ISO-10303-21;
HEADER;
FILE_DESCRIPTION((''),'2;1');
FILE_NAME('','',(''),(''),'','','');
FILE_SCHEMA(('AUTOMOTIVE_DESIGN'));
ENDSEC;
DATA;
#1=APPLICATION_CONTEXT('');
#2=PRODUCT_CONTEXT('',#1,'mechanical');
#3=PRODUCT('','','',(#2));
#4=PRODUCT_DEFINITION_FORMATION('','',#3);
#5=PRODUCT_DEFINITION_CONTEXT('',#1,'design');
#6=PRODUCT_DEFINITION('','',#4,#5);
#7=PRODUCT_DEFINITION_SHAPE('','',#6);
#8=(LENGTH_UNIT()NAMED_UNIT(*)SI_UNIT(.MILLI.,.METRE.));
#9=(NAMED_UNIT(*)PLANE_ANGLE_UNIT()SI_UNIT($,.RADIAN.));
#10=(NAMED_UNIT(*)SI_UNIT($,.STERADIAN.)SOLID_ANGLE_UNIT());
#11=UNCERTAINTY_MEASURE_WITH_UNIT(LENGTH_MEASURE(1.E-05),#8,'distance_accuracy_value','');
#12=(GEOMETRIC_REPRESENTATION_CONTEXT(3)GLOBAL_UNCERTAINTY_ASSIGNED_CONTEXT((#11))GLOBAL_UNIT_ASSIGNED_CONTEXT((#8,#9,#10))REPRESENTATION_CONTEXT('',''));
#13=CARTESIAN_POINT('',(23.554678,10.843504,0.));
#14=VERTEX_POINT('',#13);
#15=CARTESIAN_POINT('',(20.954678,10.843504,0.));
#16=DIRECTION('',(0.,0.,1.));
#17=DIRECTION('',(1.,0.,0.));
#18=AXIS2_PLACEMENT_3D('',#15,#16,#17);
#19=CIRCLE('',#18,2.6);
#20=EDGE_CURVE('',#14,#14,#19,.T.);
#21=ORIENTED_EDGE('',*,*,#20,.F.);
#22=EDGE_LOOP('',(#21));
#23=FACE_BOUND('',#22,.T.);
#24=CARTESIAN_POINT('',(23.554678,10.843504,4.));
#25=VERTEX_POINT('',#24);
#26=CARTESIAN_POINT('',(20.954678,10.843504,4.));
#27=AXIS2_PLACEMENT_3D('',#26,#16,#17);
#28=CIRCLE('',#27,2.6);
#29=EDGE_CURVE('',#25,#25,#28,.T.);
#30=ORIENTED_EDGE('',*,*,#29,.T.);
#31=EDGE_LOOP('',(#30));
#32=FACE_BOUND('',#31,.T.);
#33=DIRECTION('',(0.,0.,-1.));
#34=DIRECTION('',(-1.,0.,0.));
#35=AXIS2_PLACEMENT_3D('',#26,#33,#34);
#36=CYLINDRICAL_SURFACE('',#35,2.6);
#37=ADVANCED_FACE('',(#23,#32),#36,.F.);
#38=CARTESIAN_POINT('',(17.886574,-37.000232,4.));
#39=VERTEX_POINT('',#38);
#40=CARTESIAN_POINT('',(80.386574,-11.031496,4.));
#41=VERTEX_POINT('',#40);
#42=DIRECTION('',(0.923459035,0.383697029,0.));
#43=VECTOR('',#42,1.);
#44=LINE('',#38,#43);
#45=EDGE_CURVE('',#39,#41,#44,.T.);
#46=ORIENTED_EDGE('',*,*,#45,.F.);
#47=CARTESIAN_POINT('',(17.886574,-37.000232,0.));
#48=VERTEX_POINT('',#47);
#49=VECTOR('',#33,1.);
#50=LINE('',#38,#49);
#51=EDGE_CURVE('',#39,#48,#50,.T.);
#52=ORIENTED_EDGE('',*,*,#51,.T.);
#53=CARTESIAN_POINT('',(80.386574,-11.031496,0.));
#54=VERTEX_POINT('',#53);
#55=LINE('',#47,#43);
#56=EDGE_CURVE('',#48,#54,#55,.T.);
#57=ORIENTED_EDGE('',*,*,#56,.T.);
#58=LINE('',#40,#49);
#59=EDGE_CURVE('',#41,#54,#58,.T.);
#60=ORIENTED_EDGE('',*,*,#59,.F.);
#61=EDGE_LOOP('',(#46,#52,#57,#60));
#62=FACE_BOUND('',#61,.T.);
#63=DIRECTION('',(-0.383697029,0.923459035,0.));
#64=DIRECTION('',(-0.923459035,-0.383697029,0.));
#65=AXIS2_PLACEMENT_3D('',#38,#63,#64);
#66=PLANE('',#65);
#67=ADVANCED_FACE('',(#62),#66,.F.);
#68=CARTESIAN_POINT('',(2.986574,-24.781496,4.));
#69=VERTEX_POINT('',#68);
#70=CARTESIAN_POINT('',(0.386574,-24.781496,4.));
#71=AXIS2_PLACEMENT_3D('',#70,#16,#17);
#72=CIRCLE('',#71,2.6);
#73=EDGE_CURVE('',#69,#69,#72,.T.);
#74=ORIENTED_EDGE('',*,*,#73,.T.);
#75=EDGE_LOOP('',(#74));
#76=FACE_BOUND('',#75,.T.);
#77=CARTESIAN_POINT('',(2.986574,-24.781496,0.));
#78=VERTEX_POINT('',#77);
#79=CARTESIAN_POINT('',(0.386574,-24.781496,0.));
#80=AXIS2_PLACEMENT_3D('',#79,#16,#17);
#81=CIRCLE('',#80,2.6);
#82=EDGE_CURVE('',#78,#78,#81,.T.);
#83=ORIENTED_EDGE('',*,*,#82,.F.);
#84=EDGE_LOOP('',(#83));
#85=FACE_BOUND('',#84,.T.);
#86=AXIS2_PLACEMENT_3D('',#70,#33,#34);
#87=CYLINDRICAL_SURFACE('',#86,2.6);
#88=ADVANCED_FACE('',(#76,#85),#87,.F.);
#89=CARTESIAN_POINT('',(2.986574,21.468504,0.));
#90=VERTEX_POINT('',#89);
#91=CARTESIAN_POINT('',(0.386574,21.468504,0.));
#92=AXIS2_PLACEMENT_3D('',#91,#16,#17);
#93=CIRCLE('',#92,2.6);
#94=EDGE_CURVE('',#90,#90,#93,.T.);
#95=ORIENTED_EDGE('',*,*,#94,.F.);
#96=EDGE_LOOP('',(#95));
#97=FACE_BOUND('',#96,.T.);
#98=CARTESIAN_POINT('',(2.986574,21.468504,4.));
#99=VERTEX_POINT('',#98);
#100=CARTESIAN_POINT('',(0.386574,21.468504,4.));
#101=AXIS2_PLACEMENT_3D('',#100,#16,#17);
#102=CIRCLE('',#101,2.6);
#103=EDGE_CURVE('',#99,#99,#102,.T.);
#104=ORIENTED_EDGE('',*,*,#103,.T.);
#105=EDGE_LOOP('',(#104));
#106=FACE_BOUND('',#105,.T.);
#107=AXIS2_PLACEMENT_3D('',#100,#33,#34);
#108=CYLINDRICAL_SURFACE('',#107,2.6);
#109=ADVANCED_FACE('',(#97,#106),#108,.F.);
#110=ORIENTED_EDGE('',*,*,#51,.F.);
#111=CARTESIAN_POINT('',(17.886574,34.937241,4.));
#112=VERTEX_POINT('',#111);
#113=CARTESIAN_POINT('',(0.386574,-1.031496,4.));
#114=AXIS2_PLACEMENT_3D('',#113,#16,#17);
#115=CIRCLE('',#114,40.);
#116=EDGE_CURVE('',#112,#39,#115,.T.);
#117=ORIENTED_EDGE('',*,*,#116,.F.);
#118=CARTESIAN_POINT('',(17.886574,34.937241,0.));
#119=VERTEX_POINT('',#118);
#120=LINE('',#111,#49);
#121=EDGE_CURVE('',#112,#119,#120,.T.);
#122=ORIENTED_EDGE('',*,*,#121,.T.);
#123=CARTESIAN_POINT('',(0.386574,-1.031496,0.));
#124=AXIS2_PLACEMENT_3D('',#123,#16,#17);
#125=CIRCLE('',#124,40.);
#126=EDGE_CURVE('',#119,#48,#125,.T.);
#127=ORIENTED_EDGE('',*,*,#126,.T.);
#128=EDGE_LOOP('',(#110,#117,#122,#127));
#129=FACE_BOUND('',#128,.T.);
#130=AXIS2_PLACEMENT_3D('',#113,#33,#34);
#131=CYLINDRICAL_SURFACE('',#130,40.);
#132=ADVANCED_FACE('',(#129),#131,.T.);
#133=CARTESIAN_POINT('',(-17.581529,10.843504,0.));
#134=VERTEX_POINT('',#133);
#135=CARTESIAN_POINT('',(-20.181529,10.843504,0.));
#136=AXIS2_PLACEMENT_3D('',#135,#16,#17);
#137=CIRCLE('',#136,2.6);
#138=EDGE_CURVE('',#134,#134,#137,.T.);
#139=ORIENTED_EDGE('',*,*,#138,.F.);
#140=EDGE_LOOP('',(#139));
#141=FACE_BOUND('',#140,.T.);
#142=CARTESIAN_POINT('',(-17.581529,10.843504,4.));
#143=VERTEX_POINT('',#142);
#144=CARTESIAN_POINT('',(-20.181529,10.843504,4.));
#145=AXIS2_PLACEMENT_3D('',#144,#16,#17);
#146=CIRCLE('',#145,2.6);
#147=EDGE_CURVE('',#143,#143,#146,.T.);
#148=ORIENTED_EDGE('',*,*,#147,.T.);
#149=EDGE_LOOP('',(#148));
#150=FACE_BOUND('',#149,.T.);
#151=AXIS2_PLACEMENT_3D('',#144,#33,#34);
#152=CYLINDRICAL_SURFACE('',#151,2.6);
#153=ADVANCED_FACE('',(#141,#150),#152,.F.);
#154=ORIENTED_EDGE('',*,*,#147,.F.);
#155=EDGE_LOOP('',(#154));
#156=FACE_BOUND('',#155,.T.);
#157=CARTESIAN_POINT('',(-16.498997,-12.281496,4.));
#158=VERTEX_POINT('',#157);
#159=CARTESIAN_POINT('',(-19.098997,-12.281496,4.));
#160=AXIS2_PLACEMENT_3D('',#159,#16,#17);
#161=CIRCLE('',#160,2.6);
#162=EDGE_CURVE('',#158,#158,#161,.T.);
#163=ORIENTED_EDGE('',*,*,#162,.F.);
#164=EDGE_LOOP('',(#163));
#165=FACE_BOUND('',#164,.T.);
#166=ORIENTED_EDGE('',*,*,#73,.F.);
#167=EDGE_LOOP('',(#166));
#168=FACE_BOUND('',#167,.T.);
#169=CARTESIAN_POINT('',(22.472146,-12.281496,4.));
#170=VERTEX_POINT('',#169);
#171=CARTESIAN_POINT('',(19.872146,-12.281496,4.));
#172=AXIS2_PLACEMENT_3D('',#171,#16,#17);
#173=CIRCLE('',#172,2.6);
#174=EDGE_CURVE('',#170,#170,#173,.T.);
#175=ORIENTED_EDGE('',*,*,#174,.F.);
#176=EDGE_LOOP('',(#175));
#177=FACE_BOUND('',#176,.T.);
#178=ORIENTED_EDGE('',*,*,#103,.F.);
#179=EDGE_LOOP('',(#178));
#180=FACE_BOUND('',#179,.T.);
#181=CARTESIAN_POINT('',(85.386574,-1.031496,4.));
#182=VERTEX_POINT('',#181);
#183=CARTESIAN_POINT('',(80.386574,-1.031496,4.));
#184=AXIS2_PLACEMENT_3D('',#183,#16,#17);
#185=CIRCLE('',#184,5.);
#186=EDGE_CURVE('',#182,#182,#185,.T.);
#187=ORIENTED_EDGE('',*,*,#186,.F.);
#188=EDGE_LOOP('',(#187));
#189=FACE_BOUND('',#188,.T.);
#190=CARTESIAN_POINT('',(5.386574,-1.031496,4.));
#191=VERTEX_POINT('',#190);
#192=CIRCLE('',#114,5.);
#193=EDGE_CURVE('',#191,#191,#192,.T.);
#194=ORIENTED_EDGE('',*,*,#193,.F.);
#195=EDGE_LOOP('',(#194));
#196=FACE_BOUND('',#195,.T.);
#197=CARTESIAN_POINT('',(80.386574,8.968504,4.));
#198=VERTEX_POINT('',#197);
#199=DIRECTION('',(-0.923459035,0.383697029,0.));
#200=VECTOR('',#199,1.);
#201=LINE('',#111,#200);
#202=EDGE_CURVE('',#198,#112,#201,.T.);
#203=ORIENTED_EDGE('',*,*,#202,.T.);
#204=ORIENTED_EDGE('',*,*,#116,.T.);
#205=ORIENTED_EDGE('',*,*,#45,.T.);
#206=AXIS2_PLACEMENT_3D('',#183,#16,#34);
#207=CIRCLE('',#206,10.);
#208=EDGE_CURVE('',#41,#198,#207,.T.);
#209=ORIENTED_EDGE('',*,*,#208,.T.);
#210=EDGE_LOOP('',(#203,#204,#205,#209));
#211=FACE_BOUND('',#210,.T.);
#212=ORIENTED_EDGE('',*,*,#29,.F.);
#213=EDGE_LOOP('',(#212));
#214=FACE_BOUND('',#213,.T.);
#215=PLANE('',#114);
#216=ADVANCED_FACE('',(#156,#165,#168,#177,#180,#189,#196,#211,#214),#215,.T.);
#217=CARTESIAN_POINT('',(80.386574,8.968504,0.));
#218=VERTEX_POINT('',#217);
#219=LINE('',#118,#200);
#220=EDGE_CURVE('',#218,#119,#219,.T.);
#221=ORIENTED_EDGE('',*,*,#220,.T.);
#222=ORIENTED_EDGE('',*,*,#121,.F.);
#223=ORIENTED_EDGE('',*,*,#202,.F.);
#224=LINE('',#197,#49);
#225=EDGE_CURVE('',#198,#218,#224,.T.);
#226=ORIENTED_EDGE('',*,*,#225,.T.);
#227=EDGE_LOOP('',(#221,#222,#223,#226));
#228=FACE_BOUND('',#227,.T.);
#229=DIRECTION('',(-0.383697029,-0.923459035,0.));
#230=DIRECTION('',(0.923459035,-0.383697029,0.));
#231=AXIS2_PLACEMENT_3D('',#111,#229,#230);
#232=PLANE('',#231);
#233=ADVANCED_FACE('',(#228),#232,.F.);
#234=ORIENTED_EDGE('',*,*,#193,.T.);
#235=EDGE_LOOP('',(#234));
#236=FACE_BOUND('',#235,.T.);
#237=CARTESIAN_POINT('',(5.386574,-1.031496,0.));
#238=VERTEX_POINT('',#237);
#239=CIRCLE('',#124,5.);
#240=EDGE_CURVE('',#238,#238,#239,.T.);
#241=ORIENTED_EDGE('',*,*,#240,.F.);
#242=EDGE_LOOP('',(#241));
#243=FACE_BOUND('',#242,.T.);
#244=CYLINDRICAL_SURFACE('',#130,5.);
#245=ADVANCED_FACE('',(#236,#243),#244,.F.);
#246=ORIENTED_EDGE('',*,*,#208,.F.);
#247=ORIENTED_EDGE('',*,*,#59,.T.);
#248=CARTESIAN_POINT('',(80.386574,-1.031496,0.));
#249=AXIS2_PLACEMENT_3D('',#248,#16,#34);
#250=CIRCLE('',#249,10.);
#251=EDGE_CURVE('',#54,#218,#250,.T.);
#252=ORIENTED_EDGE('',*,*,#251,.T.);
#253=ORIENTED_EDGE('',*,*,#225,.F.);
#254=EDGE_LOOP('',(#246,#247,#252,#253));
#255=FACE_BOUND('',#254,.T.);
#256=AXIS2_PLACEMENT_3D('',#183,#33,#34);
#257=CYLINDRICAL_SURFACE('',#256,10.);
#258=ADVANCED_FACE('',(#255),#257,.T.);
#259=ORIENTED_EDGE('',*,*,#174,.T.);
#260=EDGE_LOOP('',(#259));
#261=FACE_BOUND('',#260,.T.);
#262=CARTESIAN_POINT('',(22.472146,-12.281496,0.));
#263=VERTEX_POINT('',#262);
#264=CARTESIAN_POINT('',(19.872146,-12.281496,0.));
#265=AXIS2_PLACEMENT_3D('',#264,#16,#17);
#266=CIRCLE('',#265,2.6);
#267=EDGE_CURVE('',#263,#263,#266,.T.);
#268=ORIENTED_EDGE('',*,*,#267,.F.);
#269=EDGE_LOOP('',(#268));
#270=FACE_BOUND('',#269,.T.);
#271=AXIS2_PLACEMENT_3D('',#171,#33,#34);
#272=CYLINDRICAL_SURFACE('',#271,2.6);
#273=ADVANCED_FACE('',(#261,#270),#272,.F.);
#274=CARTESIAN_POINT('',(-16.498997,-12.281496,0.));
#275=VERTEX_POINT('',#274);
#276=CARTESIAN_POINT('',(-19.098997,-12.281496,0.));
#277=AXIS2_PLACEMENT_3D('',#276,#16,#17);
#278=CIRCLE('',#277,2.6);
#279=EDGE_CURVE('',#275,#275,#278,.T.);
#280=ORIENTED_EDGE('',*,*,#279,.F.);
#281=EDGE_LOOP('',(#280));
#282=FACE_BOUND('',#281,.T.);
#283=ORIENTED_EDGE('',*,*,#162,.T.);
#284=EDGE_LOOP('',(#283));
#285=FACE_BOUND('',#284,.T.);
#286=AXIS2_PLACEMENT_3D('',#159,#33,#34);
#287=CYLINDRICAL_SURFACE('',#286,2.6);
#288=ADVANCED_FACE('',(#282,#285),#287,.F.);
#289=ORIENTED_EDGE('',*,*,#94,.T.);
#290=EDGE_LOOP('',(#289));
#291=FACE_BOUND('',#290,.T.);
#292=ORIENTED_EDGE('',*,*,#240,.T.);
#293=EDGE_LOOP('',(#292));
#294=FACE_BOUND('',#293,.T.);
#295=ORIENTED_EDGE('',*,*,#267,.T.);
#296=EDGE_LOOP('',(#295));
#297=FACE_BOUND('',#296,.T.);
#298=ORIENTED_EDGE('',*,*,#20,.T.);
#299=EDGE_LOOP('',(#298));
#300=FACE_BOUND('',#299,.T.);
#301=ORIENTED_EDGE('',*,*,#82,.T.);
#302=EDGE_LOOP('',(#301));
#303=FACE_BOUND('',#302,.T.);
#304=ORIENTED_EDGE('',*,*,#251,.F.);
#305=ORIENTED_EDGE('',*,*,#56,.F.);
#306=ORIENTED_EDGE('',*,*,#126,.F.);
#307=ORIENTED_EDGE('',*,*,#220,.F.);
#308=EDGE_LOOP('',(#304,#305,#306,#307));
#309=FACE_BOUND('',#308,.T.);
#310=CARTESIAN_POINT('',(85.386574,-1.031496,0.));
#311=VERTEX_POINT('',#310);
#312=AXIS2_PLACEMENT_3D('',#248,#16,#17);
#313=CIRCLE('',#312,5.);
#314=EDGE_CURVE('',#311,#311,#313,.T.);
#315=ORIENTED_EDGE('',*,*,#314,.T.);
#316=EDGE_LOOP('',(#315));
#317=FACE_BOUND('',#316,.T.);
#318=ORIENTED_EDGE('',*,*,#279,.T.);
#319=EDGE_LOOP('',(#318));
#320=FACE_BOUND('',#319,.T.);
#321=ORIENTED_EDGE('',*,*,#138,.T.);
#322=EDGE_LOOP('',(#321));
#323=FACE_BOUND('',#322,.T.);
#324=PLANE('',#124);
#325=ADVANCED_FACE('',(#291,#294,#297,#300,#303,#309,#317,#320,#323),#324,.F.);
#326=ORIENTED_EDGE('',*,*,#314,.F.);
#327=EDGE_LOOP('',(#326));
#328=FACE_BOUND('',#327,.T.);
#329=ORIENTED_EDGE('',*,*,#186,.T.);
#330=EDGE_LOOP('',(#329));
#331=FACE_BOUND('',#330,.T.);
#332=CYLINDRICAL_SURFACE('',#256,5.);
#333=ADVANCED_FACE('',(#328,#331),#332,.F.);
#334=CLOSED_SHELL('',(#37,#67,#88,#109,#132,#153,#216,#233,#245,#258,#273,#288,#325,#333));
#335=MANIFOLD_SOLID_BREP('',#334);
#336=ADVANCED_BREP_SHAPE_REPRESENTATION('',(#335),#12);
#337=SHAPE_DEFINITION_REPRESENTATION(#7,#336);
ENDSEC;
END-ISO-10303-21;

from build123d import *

# Parameters (mm, degrees)
SKETCH_2_R      = 2.6
SKETCH_2_R_2    = 5
EXTRUDE_1_DEPTH = 4


with BuildPart() as part:
    # 草图2 → 凸台-拉伸1 (new body)
    with BuildSketch(Plane.XY):
        with BuildLine():
            Line((17.886574367, 34.937240644), (80.386574367, 8.968504219))
            ThreePointArc((80.386574367, 8.968504219), (90.386574367, -1.031495781), (80.386574367, -11.031495781))
            Line((80.386574367, -11.031495781), (17.886574367, -37.000232206))
            ThreePointArc((17.886574367, -37.000232206), (-39.613425633, -1.031495781), (17.886574367, 34.937240644))
        make_face()
        with Locations((0.386574367, -24.781495781)):
            Circle(SKETCH_2_R, mode=Mode.SUBTRACT)
        with Locations((19.872145952, -12.281495781)):
            Circle(SKETCH_2_R, mode=Mode.SUBTRACT)
        with Locations((0.386574367, -1.031495781)):
            Circle(SKETCH_2_R_2, mode=Mode.SUBTRACT)
        with Locations((-20.181528973, 10.843504219)):
            Circle(SKETCH_2_R, mode=Mode.SUBTRACT)
        with Locations((20.954677707, 10.843504219)):
            Circle(SKETCH_2_R, mode=Mode.SUBTRACT)
        with Locations((-19.098997218, -12.281495781)):
            Circle(SKETCH_2_R, mode=Mode.SUBTRACT)
        with Locations((0.386574367, 21.468504219)):
            Circle(SKETCH_2_R, mode=Mode.SUBTRACT)
        with Locations((80.386574367, -1.031495781)):
            Circle(SKETCH_2_R_2, mode=Mode.SUBTRACT)
    extrude(amount=EXTRUDE_1_DEPTH)


solid = part.part
